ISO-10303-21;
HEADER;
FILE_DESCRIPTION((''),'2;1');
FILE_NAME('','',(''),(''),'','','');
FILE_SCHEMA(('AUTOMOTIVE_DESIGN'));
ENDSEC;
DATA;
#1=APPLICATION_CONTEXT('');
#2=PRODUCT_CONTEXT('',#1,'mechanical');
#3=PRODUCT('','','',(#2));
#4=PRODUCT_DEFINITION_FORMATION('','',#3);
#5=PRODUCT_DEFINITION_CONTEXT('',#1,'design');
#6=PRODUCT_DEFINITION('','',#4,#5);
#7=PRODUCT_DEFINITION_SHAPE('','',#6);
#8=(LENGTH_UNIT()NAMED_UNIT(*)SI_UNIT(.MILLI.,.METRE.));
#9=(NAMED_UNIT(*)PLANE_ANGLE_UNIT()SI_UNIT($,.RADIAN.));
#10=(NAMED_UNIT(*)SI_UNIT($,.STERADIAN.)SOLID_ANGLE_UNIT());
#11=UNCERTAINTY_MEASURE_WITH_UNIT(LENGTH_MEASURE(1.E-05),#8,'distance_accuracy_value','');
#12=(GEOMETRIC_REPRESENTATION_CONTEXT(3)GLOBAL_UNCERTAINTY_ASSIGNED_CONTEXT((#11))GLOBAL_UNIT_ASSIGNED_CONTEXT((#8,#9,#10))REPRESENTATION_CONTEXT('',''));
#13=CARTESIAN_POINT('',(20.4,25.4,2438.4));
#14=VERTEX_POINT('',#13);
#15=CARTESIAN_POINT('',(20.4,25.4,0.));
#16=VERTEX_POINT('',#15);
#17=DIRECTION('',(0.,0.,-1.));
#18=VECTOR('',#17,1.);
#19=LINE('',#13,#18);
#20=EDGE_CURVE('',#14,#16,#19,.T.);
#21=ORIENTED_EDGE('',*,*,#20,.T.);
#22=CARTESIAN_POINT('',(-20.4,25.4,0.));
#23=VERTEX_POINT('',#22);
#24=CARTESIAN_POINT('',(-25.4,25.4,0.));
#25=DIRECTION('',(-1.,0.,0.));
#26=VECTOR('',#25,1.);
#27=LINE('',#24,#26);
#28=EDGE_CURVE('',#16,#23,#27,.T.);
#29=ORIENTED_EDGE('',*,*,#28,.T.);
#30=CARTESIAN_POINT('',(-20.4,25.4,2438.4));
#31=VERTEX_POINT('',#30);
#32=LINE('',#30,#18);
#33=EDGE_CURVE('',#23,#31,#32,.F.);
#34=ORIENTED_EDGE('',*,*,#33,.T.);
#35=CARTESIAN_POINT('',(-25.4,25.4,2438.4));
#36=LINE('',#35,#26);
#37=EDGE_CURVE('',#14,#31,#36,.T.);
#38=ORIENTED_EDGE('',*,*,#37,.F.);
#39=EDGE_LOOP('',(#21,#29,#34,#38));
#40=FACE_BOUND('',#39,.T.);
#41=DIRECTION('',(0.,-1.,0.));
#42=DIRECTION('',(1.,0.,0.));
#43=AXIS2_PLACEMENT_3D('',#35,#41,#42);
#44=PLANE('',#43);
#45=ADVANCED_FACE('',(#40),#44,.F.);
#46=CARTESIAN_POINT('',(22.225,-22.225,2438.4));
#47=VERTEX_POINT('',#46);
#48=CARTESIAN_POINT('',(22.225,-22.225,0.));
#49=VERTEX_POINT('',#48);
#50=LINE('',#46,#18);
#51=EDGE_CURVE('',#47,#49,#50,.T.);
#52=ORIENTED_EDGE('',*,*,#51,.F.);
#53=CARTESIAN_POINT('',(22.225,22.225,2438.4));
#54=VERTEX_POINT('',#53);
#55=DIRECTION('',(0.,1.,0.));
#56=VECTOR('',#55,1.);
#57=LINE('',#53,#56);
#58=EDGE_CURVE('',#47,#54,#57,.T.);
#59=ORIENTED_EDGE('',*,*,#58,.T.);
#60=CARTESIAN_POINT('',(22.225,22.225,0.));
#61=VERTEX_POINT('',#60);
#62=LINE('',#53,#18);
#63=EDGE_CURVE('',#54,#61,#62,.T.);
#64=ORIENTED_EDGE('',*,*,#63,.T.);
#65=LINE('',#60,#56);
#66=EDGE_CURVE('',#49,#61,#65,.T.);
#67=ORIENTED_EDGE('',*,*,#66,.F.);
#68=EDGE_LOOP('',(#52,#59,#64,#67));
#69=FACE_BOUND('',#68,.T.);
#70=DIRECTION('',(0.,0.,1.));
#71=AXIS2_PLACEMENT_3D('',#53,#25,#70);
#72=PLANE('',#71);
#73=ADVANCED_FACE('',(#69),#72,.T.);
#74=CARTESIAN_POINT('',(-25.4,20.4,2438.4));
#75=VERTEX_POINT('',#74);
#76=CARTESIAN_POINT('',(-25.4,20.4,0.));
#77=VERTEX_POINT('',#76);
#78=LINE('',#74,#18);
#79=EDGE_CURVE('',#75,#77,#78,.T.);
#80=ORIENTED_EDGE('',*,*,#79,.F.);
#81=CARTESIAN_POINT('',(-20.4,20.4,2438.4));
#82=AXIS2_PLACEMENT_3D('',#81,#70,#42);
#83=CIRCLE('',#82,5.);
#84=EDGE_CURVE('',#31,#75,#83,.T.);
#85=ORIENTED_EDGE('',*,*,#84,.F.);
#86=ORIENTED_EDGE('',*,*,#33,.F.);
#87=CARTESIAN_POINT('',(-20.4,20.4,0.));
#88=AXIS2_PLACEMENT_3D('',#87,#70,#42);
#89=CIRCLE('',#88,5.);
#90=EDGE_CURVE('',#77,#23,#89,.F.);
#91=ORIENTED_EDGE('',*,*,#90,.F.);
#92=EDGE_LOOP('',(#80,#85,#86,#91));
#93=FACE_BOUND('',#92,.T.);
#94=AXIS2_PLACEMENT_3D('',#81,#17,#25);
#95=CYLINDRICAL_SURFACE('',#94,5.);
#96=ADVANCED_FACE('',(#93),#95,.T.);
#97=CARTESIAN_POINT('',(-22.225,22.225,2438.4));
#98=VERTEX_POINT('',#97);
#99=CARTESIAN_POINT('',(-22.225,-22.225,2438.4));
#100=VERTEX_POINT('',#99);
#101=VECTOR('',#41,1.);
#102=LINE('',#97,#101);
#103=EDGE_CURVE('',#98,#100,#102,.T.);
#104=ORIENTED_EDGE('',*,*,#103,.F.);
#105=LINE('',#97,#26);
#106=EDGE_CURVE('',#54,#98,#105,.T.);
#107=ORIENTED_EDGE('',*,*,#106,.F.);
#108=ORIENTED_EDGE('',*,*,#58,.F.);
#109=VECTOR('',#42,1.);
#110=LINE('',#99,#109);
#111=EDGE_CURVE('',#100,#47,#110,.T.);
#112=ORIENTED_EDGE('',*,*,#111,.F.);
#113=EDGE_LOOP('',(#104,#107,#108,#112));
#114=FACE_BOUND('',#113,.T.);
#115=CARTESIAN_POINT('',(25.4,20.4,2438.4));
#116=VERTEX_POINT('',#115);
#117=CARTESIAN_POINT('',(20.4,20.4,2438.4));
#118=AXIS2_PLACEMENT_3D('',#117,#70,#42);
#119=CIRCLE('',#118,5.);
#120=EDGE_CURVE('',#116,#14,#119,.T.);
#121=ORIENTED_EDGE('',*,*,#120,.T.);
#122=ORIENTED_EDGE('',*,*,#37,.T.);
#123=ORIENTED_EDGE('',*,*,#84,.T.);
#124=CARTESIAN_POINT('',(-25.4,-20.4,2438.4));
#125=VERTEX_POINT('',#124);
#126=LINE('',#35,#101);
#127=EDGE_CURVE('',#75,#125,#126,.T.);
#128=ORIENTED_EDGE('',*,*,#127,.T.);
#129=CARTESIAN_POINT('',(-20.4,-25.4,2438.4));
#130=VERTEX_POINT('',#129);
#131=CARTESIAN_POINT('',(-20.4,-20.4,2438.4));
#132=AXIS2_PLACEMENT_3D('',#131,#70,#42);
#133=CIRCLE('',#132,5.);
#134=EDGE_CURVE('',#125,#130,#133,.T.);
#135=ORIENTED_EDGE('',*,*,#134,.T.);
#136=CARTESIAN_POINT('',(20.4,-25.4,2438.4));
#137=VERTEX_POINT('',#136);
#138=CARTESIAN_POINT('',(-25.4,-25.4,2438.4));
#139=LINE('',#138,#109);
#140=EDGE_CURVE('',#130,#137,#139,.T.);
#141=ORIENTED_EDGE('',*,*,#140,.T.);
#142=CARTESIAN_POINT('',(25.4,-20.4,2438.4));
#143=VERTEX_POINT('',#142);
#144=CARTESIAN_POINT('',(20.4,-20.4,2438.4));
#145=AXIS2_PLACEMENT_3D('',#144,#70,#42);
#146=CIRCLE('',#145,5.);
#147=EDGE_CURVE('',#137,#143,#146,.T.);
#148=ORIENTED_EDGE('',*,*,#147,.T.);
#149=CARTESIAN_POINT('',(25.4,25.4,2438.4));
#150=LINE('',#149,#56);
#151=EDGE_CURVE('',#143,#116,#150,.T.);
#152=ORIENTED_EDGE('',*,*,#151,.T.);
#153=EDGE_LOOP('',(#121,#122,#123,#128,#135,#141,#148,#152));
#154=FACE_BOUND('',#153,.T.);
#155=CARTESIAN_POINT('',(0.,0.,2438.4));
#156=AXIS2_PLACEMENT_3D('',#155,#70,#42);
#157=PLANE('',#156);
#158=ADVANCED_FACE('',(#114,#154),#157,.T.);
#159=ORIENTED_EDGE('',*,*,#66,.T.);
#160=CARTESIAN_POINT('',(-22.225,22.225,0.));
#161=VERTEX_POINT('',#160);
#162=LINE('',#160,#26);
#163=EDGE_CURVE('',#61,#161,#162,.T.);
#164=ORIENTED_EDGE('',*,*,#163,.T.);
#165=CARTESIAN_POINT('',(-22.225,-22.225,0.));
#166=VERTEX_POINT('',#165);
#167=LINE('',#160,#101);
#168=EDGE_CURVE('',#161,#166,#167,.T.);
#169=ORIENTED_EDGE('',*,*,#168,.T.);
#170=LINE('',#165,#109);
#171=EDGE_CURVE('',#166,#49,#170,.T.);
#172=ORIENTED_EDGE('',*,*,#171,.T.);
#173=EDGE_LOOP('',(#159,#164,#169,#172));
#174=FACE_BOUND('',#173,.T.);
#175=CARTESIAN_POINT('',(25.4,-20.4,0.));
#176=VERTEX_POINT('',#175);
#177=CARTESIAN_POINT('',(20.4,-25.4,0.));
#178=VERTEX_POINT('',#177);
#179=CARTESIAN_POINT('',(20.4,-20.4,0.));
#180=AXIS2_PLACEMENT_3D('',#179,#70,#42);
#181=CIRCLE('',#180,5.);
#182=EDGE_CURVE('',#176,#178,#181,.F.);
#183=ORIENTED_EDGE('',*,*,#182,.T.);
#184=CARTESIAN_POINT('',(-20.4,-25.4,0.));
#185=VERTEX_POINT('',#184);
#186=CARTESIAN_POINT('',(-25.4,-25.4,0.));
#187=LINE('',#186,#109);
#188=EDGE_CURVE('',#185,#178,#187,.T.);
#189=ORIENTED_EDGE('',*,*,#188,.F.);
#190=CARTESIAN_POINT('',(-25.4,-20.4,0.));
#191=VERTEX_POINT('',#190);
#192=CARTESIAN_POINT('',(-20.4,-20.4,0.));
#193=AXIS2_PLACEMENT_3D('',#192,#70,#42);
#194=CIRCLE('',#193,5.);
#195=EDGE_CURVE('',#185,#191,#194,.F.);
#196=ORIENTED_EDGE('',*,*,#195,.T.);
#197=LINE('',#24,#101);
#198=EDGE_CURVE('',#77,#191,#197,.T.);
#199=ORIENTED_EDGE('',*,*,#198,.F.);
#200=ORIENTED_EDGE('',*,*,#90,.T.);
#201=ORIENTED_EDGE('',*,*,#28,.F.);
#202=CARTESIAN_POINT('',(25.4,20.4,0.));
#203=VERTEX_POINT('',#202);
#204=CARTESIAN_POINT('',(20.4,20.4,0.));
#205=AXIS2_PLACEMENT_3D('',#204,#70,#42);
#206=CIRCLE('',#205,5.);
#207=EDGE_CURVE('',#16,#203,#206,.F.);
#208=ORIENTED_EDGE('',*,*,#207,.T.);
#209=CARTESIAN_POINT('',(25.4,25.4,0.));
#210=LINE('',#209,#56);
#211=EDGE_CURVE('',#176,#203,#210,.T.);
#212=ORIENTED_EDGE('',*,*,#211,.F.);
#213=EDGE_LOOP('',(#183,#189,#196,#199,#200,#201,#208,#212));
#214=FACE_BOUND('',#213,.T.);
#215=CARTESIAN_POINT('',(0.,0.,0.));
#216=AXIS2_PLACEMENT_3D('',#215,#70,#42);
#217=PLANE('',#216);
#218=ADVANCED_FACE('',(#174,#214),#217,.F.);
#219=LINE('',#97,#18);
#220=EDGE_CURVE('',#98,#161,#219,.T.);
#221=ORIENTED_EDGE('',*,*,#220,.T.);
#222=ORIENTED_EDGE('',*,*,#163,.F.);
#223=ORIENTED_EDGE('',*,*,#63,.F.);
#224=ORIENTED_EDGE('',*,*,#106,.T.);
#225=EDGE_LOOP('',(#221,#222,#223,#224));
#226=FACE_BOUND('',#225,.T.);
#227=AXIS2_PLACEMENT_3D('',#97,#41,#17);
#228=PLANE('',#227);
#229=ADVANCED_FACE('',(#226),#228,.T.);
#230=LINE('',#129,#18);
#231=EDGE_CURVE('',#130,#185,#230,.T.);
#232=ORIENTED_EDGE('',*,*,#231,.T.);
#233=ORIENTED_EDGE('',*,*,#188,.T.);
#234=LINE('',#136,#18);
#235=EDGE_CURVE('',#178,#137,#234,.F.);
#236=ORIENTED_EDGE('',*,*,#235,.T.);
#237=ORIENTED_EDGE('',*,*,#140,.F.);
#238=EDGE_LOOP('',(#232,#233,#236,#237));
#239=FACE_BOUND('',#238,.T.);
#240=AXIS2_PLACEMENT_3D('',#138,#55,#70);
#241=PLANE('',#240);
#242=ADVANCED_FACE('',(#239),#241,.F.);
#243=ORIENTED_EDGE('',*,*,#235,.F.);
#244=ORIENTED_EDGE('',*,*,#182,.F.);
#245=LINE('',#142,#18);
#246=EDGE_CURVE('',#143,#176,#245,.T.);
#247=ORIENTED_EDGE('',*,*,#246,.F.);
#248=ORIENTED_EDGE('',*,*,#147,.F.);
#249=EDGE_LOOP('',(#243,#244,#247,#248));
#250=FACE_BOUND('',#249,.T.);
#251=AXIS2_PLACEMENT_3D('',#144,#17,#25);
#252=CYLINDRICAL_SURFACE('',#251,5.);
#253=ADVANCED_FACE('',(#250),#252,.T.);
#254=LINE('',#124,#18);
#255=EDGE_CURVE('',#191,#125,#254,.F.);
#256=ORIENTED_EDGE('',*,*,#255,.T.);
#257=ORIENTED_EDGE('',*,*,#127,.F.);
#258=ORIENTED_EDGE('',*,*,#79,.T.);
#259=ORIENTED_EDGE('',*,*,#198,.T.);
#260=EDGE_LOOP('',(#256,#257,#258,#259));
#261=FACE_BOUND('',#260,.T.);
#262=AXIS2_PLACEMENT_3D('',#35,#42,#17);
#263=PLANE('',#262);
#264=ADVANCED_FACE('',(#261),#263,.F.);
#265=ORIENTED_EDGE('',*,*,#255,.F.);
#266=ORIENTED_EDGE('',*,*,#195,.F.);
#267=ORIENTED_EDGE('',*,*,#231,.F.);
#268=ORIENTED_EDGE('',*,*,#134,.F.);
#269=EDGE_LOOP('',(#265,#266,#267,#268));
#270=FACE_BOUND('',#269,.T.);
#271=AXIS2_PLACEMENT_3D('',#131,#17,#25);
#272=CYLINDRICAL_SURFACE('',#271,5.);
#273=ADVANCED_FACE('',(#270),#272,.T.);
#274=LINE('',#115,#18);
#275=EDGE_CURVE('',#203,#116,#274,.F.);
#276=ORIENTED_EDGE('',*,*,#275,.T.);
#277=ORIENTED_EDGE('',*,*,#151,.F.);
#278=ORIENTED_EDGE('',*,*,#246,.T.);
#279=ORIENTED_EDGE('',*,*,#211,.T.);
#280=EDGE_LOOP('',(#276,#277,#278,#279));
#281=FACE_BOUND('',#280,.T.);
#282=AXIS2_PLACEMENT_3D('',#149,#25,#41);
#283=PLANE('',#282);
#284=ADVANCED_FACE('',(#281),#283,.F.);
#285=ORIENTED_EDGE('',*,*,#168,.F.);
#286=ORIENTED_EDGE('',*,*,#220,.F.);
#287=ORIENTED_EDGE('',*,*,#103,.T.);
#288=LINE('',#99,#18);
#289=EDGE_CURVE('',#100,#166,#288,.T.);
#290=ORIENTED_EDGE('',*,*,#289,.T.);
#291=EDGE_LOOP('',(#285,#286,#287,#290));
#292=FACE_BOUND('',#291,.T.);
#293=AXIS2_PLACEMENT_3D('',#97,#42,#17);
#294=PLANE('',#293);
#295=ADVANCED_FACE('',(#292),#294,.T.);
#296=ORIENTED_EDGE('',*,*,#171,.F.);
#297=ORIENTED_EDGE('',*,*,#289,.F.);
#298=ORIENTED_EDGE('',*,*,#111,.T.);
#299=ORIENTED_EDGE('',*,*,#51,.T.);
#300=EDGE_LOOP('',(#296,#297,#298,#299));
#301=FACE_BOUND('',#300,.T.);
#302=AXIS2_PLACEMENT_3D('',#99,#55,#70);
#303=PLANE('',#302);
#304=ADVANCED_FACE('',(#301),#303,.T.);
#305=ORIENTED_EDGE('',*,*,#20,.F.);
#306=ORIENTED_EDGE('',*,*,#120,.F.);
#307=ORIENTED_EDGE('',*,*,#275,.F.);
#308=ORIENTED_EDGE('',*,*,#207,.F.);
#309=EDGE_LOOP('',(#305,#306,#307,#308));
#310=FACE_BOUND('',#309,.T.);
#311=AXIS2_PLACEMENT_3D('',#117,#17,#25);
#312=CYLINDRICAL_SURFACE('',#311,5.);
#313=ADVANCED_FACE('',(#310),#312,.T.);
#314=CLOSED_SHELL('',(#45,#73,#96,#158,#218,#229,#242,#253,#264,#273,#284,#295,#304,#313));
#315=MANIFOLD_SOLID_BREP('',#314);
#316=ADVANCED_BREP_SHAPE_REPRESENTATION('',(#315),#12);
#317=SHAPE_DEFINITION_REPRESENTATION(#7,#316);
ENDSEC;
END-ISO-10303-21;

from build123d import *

# Parameters (mm, degrees)
SKETCH1_W           = 50.8
SKETCH1_H           = 50.8
SKETCH1_W_2         = 44.45
SKETCH1_H_2         = 44.45
BOSS_EXTRUDE1_DEPTH = 2438.4
FILLET1_R           = 5


with BuildPart() as part:
    # Sketch1 → Boss-Extrude1 (new body)
    with BuildSketch(Plane.XY):
        Rectangle(SKETCH1_W, SKETCH1_H)
        Rectangle(SKETCH1_W_2, SKETCH1_H_2, mode=Mode.SUBTRACT)
    extrude(amount=BOSS_EXTRUDE1_DEPTH)

    # Fillet1
    fillet1_edges = [part.edges().sort_by_distance(p)[0] for p in [
        (25.4, -25.4, 1219.2),
        (-25.4, -25.4, 1219.2),
        (-25.4, 25.4, 1219.2),
        (25.4, 25.4, 1219.2),
    ]]
    fillet(fillet1_edges, radius=FILLET1_R)


solid = part.part
